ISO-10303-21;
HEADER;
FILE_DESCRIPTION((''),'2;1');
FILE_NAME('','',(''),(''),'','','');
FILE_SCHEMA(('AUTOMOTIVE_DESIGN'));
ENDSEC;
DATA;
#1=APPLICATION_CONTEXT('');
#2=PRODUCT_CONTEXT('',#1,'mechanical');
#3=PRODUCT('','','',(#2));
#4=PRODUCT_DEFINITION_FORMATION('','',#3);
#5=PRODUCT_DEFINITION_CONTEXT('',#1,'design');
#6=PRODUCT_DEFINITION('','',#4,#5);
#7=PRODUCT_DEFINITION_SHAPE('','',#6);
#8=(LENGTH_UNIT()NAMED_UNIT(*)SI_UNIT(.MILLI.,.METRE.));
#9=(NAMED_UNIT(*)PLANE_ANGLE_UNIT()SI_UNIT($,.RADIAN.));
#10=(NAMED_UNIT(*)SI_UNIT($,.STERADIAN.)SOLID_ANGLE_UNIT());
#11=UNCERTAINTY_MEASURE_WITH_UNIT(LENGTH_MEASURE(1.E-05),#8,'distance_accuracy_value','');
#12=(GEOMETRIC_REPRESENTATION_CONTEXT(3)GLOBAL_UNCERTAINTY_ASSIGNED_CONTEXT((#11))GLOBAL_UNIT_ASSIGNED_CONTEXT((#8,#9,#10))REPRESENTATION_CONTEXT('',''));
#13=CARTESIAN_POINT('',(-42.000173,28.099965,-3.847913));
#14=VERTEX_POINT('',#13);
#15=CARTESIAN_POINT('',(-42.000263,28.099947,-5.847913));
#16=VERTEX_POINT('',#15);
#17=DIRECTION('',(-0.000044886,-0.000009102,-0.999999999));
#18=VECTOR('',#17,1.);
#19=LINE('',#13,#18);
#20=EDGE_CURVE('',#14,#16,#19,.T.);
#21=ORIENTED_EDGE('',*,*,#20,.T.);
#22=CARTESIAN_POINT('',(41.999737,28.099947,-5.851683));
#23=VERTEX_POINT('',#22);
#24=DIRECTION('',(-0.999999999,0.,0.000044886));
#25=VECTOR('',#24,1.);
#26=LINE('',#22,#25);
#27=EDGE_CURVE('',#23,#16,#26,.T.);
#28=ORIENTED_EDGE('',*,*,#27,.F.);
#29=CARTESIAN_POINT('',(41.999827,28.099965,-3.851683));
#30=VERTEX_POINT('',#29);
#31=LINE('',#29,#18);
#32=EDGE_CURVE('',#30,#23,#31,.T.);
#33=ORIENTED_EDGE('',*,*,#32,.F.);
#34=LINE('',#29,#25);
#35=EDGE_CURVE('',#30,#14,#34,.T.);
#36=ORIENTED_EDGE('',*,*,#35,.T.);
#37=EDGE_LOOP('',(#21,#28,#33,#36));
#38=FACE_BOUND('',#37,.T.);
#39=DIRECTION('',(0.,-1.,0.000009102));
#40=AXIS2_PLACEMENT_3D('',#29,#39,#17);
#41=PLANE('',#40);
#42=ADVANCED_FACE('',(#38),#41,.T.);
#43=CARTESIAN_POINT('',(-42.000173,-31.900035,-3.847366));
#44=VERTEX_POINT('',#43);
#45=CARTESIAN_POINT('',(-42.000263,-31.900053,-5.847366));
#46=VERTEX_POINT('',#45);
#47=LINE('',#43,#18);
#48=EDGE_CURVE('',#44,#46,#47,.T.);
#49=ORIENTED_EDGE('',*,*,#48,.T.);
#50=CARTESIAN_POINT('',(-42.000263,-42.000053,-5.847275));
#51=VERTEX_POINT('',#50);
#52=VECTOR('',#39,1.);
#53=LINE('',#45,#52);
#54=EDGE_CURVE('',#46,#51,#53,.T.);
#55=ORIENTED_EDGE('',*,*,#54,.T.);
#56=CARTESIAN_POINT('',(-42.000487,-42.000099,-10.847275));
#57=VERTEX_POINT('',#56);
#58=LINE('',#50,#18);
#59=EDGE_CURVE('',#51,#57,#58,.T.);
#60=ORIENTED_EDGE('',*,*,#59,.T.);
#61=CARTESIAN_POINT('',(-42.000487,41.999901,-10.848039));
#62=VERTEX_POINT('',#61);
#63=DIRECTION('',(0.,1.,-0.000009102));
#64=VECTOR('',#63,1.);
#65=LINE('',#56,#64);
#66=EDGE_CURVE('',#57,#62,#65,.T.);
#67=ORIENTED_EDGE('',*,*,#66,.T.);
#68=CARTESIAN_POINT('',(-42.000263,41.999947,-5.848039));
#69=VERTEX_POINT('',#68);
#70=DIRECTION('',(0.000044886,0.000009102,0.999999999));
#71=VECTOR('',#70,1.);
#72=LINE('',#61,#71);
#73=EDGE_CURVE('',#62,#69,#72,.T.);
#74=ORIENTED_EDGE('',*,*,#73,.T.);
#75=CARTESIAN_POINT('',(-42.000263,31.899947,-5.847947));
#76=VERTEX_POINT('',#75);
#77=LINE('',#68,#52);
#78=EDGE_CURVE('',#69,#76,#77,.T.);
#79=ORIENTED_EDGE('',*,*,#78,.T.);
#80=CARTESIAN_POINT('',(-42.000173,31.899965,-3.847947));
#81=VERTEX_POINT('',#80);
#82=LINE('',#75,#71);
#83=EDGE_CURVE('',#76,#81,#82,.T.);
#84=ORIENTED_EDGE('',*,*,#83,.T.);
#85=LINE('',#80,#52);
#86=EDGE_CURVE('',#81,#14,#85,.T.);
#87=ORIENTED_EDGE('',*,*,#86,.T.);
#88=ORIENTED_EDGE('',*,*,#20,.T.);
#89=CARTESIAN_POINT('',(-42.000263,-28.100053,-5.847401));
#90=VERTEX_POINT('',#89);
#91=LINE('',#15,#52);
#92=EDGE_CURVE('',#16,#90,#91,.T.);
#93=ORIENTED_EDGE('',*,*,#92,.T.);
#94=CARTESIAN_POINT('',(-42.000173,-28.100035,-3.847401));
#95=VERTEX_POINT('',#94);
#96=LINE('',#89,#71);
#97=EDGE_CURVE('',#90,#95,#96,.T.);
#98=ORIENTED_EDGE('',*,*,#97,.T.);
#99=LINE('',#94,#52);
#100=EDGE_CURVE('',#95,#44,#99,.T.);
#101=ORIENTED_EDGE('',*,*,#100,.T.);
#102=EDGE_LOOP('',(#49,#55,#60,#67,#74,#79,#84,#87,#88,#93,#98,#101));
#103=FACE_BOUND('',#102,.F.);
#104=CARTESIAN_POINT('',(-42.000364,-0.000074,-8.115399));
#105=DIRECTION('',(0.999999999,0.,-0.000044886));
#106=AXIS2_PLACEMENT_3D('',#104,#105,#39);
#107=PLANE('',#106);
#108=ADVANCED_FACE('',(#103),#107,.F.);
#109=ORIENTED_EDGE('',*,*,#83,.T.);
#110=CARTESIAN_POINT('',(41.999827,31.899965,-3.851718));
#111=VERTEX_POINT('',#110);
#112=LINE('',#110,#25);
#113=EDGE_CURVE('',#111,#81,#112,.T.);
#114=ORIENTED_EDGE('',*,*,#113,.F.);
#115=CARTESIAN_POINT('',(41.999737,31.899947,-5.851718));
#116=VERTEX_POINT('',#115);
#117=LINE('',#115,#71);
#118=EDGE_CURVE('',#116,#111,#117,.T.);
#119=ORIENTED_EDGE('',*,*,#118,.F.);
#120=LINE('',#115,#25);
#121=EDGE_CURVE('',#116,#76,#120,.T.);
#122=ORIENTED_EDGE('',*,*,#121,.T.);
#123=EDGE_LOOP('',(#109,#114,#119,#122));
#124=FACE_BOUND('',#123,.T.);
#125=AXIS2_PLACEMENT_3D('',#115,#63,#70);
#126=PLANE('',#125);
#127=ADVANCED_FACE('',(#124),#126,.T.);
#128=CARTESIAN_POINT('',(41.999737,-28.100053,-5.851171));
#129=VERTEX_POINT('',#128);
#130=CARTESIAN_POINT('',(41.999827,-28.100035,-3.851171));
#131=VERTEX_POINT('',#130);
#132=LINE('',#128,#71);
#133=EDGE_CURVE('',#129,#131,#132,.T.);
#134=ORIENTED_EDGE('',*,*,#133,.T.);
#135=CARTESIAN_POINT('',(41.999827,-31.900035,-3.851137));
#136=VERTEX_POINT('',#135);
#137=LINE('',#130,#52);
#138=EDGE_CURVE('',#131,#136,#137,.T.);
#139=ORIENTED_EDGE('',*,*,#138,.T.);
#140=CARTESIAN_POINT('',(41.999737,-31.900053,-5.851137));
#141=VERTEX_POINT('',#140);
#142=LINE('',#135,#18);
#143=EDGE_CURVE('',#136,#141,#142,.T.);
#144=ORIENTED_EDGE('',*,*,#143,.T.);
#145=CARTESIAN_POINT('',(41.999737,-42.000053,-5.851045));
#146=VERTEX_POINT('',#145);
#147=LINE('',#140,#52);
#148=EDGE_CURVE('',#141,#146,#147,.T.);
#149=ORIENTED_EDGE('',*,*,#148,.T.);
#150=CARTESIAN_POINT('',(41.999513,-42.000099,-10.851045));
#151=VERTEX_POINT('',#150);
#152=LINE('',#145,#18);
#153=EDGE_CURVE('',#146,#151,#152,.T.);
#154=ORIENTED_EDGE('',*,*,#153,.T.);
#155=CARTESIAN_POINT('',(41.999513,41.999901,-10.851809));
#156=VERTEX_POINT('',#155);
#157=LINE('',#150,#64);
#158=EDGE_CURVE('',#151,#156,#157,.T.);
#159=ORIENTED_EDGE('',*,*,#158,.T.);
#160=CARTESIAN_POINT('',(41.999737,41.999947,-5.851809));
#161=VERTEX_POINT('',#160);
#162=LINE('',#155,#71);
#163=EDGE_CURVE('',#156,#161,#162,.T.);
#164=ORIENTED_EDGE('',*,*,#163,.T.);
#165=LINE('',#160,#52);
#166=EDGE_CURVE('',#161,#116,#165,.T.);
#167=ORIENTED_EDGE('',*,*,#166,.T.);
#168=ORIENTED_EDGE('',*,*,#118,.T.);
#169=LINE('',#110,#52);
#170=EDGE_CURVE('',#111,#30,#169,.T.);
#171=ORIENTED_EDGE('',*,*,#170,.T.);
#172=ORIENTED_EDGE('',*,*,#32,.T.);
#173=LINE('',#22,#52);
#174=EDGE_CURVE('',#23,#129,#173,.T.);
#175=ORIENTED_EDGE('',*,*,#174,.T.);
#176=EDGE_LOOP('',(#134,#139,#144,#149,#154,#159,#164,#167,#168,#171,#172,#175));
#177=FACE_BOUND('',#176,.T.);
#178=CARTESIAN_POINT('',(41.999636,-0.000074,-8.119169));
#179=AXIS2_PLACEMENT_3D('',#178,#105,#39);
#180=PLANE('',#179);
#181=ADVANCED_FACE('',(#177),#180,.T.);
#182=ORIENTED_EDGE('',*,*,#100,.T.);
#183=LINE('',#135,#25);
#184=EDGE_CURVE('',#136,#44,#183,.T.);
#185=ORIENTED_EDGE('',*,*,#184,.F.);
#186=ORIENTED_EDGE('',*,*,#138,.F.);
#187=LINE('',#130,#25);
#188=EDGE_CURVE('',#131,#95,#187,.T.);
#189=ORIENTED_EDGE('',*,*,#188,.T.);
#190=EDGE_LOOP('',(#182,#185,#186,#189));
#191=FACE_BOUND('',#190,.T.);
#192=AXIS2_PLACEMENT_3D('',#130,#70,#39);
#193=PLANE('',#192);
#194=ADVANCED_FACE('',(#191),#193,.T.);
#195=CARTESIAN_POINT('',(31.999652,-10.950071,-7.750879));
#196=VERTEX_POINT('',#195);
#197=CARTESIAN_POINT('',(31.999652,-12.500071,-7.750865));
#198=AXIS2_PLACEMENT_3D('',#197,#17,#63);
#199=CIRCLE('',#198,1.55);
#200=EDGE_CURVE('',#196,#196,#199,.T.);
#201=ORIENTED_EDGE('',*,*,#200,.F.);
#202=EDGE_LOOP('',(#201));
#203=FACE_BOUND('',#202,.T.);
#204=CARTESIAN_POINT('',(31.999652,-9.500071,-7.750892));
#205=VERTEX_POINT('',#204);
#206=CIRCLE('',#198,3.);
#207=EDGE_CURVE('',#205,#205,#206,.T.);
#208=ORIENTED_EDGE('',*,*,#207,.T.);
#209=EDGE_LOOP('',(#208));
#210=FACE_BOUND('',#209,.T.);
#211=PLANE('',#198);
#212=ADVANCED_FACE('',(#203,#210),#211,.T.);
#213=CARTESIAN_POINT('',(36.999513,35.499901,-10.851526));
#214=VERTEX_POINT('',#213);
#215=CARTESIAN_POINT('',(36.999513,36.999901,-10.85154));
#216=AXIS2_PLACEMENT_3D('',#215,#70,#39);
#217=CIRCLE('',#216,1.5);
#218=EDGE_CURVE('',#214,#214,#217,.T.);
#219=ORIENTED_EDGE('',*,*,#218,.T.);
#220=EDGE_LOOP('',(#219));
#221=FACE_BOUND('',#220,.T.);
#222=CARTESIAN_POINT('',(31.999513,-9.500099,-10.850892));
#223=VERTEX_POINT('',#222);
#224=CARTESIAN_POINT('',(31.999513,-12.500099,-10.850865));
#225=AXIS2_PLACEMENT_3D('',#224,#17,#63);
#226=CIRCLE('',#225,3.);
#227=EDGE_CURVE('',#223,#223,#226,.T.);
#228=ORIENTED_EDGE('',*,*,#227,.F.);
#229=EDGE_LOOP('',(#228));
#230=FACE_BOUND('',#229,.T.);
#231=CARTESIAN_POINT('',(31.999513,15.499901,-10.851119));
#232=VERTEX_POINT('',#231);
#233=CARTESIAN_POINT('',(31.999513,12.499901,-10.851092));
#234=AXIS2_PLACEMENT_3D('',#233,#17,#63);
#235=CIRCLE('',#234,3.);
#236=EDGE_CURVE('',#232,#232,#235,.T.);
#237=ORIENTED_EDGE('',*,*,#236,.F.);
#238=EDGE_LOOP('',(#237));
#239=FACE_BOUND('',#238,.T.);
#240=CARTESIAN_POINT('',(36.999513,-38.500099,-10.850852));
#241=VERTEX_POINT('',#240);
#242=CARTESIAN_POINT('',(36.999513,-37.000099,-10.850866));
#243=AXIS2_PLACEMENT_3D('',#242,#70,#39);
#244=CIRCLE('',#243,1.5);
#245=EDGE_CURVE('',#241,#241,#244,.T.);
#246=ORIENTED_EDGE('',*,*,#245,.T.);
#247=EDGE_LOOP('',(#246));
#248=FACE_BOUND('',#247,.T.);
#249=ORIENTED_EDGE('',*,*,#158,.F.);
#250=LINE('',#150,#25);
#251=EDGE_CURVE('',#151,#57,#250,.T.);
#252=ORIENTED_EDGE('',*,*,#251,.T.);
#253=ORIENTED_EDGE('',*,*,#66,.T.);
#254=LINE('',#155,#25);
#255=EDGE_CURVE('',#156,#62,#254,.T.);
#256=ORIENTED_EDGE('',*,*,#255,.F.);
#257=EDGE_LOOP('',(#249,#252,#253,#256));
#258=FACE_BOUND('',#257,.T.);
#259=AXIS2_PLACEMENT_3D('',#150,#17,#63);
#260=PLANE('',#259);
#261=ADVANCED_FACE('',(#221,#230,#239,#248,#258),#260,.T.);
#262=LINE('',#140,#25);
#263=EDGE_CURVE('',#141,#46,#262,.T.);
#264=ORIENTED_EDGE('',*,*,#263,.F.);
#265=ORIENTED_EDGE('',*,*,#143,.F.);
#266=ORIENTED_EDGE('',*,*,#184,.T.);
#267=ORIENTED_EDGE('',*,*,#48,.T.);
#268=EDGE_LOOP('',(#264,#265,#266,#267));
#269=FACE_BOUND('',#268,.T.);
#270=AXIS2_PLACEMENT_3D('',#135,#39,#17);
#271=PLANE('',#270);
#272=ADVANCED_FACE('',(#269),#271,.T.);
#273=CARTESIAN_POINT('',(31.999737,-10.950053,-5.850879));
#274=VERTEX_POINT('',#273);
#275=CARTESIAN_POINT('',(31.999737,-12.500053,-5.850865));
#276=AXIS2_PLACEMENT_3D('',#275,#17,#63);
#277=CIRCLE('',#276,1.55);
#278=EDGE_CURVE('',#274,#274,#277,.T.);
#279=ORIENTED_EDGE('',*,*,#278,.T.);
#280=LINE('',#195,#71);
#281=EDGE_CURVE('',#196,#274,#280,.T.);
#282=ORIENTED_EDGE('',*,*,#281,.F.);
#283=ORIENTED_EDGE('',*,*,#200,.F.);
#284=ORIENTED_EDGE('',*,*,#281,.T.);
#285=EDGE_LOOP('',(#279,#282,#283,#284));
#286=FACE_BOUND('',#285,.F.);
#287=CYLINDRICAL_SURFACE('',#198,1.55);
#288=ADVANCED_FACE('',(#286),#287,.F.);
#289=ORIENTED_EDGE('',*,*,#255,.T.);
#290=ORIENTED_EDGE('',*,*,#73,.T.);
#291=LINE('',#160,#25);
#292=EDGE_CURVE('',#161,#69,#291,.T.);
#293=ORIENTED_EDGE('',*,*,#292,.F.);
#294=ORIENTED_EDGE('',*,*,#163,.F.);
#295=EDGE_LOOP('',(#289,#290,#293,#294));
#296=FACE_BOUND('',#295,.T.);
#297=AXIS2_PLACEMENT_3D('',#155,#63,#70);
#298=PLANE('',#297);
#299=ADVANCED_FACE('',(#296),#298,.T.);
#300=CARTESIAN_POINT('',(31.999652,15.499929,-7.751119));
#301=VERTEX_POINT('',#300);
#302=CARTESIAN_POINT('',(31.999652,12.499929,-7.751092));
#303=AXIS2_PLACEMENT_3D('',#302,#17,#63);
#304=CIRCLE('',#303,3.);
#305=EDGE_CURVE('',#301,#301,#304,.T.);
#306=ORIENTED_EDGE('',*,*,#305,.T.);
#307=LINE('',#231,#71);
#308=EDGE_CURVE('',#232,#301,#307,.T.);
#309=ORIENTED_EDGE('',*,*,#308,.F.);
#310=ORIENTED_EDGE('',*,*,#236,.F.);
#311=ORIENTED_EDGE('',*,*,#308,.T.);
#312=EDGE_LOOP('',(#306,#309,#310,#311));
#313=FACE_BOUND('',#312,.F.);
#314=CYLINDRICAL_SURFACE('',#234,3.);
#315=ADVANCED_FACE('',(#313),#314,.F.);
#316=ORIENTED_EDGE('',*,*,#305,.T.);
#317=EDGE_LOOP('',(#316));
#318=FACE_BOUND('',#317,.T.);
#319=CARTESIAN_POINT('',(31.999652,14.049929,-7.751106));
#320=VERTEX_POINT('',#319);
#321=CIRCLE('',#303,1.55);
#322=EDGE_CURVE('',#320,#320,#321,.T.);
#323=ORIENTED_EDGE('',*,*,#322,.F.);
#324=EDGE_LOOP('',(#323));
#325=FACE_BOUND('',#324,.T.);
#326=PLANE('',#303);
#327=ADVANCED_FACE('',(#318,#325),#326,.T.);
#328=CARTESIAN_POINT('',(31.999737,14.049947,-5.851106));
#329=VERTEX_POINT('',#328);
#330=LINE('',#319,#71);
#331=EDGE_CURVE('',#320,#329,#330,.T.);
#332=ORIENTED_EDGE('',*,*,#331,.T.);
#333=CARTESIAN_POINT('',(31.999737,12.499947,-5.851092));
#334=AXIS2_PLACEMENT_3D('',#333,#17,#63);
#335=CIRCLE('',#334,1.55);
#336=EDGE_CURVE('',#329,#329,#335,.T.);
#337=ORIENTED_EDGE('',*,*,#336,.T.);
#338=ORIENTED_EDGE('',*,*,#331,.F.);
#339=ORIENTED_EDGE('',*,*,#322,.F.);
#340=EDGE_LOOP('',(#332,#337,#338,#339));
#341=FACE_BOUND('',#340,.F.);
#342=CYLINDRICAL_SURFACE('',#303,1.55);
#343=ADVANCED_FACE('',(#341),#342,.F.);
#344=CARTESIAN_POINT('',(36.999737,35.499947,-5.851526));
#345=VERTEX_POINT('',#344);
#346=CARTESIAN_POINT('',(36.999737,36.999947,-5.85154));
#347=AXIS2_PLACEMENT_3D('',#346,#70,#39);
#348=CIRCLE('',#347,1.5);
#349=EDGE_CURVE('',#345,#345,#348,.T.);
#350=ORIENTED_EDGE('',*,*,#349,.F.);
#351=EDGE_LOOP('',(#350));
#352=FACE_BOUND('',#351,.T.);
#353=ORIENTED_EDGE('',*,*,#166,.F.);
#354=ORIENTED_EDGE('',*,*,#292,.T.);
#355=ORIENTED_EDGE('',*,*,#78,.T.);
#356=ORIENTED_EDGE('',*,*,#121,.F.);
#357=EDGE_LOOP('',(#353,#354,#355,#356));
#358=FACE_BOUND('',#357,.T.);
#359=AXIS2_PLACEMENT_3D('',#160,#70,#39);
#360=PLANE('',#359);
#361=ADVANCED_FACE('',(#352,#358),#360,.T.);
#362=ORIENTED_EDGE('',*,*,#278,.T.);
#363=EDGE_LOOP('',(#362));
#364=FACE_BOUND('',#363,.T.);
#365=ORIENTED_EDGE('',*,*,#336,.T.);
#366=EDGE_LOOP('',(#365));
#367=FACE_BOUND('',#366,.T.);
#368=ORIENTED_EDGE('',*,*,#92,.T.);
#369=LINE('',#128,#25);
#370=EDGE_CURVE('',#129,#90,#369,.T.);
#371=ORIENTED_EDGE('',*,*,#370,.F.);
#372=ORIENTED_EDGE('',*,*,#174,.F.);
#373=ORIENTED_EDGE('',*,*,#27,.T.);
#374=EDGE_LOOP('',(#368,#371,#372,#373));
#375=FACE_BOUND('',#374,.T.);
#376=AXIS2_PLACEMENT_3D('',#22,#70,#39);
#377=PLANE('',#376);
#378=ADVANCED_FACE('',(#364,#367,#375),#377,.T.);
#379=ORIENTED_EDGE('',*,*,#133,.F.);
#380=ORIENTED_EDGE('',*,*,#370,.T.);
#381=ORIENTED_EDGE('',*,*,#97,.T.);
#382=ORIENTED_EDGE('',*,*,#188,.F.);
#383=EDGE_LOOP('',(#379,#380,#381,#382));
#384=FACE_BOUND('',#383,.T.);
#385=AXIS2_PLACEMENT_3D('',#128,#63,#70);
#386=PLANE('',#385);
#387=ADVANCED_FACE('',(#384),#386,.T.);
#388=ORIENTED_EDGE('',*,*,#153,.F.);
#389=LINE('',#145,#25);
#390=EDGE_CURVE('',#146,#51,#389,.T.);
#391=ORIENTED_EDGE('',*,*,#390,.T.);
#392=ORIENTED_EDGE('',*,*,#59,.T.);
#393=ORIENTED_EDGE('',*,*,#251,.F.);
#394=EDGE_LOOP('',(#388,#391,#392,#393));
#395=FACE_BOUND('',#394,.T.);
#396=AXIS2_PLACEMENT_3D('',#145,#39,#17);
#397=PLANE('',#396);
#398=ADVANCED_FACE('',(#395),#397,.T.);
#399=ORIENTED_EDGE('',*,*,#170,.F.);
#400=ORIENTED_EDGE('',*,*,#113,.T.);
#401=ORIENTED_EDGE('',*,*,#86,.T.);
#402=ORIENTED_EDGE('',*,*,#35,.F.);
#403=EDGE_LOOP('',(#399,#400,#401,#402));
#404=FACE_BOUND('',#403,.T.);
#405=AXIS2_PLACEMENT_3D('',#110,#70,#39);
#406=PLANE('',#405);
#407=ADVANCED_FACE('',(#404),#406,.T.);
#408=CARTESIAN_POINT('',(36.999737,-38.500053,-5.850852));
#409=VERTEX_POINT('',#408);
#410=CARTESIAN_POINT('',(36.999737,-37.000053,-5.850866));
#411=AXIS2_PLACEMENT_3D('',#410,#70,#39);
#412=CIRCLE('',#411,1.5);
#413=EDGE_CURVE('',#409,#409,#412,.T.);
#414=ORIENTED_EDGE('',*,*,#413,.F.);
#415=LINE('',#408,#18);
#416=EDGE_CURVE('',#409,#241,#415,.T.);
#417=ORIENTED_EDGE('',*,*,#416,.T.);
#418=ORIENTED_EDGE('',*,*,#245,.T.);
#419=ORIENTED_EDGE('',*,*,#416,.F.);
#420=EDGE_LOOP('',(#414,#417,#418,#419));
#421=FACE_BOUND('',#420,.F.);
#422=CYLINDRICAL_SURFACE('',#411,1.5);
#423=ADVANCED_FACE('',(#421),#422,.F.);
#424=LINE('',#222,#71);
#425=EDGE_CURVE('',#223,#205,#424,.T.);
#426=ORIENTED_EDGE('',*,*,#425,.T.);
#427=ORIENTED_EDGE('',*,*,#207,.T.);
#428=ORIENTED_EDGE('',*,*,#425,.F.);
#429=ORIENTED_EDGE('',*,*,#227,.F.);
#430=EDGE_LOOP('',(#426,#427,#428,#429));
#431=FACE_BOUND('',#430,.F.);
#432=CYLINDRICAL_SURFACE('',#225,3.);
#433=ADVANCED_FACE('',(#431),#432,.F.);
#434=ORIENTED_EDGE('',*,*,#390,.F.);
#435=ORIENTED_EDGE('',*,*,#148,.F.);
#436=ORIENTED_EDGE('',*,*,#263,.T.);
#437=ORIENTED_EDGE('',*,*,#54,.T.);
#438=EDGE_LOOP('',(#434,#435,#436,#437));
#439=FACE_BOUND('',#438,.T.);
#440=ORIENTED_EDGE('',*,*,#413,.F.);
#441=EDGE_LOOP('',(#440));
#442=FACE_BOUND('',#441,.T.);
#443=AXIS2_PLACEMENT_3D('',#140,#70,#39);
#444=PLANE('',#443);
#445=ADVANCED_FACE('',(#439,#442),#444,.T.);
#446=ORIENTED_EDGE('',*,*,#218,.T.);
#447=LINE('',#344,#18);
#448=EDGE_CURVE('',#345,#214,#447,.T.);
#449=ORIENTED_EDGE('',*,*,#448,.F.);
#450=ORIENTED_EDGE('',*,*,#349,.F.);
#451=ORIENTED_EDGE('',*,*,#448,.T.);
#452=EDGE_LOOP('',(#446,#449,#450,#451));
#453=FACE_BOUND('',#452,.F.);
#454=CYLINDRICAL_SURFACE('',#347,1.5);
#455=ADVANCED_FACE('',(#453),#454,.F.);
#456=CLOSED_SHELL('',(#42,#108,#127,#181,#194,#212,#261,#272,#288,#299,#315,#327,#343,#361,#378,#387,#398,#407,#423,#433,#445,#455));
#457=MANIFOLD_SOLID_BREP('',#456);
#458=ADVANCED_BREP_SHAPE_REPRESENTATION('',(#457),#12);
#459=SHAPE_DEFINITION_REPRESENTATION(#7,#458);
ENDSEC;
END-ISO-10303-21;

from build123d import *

# Parameters (mm, degrees)
PAD015_DEPTH    = 84
SKETCH025_R     = 3
POCKET009_DEPTH = 3.1
SKETCH026_R     = 1.55
POCKET010_DEPTH = 3.9054430506
SKETCH029_R     = 1.5
POCKET013_DEPTH = 5.0055349839


with BuildPart() as part:
    # Sketch024 (on DatumPlane) → Pad015 (new body)
    with BuildSketch(Plane(origin=(42.0007630338, 0.0001547258, 16.9985727734), x_dir=(0, -1, 9.1023e-06), z_dir=(0.999999999, -4e-10, -4.48856e-05))):
        Polygon((-42, 22.85), (-31.9, 22.85), (-31.9, 20.85), (-28.1, 20.85), (-28.1, 22.85), (28.1, 22.85), (28.1, 20.85), (31.9, 20.85), (31.9, 22.85), (42, 22.85), (42, 27.85), (-42, 27.85), align=None)
    extrude(amount=-PAD015_DEPTH)

    # Sketch025 (on Face11 of Pad015) → Pocket009 (cut)
    with BuildSketch(Plane(origin=(41.9995129693, -9.87728e-05, -10.8514271974), x_dir=(0, 1, -9.1023e-06), z_dir=(-4.48856e-05, -9.1023e-06, -0.999999999))):
        with Locations((-12.5, -10)):
            Circle(SKETCH025_R)
        with Locations((12.5, -10)):
            Circle(SKETCH025_R)
    extrude(amount=-POCKET009_DEPTH, mode=Mode.SUBTRACT)

    # Sketch026 (on Face17 of Pocket009) → Pocket010 (cut, through all)
    with BuildSketch(Plane(origin=(41.9996521147, -7.05557e-05, -7.7514272007), x_dir=(0, 1, -9.1023e-06), z_dir=(-4.48856e-05, -9.1023e-06, -0.999999999))):
        with Locations((-12.5, -10)):
            Circle(SKETCH026_R)
        with Locations((12.5, -10)):
            Circle(SKETCH026_R)
    extrude(amount=-POCKET010_DEPTH, mode=Mode.SUBTRACT)

    # Sketch029 (on Face13 of Pocket010) → Pocket013 (cut, through all)
    with BuildSketch(Plane(origin=(41.9997373974, -5.32613e-05, -5.8514272027), x_dir=(0, -1, 9.1023e-06), z_dir=(4.48856e-05, 9.1023e-06, 0.999999999))):
        with Locations((37, -5)):
            Circle(SKETCH029_R)
        with Locations((-37, -5)):
            Circle(SKETCH029_R)
    extrude(amount=-POCKET013_DEPTH, mode=Mode.SUBTRACT)


solid = part.part
